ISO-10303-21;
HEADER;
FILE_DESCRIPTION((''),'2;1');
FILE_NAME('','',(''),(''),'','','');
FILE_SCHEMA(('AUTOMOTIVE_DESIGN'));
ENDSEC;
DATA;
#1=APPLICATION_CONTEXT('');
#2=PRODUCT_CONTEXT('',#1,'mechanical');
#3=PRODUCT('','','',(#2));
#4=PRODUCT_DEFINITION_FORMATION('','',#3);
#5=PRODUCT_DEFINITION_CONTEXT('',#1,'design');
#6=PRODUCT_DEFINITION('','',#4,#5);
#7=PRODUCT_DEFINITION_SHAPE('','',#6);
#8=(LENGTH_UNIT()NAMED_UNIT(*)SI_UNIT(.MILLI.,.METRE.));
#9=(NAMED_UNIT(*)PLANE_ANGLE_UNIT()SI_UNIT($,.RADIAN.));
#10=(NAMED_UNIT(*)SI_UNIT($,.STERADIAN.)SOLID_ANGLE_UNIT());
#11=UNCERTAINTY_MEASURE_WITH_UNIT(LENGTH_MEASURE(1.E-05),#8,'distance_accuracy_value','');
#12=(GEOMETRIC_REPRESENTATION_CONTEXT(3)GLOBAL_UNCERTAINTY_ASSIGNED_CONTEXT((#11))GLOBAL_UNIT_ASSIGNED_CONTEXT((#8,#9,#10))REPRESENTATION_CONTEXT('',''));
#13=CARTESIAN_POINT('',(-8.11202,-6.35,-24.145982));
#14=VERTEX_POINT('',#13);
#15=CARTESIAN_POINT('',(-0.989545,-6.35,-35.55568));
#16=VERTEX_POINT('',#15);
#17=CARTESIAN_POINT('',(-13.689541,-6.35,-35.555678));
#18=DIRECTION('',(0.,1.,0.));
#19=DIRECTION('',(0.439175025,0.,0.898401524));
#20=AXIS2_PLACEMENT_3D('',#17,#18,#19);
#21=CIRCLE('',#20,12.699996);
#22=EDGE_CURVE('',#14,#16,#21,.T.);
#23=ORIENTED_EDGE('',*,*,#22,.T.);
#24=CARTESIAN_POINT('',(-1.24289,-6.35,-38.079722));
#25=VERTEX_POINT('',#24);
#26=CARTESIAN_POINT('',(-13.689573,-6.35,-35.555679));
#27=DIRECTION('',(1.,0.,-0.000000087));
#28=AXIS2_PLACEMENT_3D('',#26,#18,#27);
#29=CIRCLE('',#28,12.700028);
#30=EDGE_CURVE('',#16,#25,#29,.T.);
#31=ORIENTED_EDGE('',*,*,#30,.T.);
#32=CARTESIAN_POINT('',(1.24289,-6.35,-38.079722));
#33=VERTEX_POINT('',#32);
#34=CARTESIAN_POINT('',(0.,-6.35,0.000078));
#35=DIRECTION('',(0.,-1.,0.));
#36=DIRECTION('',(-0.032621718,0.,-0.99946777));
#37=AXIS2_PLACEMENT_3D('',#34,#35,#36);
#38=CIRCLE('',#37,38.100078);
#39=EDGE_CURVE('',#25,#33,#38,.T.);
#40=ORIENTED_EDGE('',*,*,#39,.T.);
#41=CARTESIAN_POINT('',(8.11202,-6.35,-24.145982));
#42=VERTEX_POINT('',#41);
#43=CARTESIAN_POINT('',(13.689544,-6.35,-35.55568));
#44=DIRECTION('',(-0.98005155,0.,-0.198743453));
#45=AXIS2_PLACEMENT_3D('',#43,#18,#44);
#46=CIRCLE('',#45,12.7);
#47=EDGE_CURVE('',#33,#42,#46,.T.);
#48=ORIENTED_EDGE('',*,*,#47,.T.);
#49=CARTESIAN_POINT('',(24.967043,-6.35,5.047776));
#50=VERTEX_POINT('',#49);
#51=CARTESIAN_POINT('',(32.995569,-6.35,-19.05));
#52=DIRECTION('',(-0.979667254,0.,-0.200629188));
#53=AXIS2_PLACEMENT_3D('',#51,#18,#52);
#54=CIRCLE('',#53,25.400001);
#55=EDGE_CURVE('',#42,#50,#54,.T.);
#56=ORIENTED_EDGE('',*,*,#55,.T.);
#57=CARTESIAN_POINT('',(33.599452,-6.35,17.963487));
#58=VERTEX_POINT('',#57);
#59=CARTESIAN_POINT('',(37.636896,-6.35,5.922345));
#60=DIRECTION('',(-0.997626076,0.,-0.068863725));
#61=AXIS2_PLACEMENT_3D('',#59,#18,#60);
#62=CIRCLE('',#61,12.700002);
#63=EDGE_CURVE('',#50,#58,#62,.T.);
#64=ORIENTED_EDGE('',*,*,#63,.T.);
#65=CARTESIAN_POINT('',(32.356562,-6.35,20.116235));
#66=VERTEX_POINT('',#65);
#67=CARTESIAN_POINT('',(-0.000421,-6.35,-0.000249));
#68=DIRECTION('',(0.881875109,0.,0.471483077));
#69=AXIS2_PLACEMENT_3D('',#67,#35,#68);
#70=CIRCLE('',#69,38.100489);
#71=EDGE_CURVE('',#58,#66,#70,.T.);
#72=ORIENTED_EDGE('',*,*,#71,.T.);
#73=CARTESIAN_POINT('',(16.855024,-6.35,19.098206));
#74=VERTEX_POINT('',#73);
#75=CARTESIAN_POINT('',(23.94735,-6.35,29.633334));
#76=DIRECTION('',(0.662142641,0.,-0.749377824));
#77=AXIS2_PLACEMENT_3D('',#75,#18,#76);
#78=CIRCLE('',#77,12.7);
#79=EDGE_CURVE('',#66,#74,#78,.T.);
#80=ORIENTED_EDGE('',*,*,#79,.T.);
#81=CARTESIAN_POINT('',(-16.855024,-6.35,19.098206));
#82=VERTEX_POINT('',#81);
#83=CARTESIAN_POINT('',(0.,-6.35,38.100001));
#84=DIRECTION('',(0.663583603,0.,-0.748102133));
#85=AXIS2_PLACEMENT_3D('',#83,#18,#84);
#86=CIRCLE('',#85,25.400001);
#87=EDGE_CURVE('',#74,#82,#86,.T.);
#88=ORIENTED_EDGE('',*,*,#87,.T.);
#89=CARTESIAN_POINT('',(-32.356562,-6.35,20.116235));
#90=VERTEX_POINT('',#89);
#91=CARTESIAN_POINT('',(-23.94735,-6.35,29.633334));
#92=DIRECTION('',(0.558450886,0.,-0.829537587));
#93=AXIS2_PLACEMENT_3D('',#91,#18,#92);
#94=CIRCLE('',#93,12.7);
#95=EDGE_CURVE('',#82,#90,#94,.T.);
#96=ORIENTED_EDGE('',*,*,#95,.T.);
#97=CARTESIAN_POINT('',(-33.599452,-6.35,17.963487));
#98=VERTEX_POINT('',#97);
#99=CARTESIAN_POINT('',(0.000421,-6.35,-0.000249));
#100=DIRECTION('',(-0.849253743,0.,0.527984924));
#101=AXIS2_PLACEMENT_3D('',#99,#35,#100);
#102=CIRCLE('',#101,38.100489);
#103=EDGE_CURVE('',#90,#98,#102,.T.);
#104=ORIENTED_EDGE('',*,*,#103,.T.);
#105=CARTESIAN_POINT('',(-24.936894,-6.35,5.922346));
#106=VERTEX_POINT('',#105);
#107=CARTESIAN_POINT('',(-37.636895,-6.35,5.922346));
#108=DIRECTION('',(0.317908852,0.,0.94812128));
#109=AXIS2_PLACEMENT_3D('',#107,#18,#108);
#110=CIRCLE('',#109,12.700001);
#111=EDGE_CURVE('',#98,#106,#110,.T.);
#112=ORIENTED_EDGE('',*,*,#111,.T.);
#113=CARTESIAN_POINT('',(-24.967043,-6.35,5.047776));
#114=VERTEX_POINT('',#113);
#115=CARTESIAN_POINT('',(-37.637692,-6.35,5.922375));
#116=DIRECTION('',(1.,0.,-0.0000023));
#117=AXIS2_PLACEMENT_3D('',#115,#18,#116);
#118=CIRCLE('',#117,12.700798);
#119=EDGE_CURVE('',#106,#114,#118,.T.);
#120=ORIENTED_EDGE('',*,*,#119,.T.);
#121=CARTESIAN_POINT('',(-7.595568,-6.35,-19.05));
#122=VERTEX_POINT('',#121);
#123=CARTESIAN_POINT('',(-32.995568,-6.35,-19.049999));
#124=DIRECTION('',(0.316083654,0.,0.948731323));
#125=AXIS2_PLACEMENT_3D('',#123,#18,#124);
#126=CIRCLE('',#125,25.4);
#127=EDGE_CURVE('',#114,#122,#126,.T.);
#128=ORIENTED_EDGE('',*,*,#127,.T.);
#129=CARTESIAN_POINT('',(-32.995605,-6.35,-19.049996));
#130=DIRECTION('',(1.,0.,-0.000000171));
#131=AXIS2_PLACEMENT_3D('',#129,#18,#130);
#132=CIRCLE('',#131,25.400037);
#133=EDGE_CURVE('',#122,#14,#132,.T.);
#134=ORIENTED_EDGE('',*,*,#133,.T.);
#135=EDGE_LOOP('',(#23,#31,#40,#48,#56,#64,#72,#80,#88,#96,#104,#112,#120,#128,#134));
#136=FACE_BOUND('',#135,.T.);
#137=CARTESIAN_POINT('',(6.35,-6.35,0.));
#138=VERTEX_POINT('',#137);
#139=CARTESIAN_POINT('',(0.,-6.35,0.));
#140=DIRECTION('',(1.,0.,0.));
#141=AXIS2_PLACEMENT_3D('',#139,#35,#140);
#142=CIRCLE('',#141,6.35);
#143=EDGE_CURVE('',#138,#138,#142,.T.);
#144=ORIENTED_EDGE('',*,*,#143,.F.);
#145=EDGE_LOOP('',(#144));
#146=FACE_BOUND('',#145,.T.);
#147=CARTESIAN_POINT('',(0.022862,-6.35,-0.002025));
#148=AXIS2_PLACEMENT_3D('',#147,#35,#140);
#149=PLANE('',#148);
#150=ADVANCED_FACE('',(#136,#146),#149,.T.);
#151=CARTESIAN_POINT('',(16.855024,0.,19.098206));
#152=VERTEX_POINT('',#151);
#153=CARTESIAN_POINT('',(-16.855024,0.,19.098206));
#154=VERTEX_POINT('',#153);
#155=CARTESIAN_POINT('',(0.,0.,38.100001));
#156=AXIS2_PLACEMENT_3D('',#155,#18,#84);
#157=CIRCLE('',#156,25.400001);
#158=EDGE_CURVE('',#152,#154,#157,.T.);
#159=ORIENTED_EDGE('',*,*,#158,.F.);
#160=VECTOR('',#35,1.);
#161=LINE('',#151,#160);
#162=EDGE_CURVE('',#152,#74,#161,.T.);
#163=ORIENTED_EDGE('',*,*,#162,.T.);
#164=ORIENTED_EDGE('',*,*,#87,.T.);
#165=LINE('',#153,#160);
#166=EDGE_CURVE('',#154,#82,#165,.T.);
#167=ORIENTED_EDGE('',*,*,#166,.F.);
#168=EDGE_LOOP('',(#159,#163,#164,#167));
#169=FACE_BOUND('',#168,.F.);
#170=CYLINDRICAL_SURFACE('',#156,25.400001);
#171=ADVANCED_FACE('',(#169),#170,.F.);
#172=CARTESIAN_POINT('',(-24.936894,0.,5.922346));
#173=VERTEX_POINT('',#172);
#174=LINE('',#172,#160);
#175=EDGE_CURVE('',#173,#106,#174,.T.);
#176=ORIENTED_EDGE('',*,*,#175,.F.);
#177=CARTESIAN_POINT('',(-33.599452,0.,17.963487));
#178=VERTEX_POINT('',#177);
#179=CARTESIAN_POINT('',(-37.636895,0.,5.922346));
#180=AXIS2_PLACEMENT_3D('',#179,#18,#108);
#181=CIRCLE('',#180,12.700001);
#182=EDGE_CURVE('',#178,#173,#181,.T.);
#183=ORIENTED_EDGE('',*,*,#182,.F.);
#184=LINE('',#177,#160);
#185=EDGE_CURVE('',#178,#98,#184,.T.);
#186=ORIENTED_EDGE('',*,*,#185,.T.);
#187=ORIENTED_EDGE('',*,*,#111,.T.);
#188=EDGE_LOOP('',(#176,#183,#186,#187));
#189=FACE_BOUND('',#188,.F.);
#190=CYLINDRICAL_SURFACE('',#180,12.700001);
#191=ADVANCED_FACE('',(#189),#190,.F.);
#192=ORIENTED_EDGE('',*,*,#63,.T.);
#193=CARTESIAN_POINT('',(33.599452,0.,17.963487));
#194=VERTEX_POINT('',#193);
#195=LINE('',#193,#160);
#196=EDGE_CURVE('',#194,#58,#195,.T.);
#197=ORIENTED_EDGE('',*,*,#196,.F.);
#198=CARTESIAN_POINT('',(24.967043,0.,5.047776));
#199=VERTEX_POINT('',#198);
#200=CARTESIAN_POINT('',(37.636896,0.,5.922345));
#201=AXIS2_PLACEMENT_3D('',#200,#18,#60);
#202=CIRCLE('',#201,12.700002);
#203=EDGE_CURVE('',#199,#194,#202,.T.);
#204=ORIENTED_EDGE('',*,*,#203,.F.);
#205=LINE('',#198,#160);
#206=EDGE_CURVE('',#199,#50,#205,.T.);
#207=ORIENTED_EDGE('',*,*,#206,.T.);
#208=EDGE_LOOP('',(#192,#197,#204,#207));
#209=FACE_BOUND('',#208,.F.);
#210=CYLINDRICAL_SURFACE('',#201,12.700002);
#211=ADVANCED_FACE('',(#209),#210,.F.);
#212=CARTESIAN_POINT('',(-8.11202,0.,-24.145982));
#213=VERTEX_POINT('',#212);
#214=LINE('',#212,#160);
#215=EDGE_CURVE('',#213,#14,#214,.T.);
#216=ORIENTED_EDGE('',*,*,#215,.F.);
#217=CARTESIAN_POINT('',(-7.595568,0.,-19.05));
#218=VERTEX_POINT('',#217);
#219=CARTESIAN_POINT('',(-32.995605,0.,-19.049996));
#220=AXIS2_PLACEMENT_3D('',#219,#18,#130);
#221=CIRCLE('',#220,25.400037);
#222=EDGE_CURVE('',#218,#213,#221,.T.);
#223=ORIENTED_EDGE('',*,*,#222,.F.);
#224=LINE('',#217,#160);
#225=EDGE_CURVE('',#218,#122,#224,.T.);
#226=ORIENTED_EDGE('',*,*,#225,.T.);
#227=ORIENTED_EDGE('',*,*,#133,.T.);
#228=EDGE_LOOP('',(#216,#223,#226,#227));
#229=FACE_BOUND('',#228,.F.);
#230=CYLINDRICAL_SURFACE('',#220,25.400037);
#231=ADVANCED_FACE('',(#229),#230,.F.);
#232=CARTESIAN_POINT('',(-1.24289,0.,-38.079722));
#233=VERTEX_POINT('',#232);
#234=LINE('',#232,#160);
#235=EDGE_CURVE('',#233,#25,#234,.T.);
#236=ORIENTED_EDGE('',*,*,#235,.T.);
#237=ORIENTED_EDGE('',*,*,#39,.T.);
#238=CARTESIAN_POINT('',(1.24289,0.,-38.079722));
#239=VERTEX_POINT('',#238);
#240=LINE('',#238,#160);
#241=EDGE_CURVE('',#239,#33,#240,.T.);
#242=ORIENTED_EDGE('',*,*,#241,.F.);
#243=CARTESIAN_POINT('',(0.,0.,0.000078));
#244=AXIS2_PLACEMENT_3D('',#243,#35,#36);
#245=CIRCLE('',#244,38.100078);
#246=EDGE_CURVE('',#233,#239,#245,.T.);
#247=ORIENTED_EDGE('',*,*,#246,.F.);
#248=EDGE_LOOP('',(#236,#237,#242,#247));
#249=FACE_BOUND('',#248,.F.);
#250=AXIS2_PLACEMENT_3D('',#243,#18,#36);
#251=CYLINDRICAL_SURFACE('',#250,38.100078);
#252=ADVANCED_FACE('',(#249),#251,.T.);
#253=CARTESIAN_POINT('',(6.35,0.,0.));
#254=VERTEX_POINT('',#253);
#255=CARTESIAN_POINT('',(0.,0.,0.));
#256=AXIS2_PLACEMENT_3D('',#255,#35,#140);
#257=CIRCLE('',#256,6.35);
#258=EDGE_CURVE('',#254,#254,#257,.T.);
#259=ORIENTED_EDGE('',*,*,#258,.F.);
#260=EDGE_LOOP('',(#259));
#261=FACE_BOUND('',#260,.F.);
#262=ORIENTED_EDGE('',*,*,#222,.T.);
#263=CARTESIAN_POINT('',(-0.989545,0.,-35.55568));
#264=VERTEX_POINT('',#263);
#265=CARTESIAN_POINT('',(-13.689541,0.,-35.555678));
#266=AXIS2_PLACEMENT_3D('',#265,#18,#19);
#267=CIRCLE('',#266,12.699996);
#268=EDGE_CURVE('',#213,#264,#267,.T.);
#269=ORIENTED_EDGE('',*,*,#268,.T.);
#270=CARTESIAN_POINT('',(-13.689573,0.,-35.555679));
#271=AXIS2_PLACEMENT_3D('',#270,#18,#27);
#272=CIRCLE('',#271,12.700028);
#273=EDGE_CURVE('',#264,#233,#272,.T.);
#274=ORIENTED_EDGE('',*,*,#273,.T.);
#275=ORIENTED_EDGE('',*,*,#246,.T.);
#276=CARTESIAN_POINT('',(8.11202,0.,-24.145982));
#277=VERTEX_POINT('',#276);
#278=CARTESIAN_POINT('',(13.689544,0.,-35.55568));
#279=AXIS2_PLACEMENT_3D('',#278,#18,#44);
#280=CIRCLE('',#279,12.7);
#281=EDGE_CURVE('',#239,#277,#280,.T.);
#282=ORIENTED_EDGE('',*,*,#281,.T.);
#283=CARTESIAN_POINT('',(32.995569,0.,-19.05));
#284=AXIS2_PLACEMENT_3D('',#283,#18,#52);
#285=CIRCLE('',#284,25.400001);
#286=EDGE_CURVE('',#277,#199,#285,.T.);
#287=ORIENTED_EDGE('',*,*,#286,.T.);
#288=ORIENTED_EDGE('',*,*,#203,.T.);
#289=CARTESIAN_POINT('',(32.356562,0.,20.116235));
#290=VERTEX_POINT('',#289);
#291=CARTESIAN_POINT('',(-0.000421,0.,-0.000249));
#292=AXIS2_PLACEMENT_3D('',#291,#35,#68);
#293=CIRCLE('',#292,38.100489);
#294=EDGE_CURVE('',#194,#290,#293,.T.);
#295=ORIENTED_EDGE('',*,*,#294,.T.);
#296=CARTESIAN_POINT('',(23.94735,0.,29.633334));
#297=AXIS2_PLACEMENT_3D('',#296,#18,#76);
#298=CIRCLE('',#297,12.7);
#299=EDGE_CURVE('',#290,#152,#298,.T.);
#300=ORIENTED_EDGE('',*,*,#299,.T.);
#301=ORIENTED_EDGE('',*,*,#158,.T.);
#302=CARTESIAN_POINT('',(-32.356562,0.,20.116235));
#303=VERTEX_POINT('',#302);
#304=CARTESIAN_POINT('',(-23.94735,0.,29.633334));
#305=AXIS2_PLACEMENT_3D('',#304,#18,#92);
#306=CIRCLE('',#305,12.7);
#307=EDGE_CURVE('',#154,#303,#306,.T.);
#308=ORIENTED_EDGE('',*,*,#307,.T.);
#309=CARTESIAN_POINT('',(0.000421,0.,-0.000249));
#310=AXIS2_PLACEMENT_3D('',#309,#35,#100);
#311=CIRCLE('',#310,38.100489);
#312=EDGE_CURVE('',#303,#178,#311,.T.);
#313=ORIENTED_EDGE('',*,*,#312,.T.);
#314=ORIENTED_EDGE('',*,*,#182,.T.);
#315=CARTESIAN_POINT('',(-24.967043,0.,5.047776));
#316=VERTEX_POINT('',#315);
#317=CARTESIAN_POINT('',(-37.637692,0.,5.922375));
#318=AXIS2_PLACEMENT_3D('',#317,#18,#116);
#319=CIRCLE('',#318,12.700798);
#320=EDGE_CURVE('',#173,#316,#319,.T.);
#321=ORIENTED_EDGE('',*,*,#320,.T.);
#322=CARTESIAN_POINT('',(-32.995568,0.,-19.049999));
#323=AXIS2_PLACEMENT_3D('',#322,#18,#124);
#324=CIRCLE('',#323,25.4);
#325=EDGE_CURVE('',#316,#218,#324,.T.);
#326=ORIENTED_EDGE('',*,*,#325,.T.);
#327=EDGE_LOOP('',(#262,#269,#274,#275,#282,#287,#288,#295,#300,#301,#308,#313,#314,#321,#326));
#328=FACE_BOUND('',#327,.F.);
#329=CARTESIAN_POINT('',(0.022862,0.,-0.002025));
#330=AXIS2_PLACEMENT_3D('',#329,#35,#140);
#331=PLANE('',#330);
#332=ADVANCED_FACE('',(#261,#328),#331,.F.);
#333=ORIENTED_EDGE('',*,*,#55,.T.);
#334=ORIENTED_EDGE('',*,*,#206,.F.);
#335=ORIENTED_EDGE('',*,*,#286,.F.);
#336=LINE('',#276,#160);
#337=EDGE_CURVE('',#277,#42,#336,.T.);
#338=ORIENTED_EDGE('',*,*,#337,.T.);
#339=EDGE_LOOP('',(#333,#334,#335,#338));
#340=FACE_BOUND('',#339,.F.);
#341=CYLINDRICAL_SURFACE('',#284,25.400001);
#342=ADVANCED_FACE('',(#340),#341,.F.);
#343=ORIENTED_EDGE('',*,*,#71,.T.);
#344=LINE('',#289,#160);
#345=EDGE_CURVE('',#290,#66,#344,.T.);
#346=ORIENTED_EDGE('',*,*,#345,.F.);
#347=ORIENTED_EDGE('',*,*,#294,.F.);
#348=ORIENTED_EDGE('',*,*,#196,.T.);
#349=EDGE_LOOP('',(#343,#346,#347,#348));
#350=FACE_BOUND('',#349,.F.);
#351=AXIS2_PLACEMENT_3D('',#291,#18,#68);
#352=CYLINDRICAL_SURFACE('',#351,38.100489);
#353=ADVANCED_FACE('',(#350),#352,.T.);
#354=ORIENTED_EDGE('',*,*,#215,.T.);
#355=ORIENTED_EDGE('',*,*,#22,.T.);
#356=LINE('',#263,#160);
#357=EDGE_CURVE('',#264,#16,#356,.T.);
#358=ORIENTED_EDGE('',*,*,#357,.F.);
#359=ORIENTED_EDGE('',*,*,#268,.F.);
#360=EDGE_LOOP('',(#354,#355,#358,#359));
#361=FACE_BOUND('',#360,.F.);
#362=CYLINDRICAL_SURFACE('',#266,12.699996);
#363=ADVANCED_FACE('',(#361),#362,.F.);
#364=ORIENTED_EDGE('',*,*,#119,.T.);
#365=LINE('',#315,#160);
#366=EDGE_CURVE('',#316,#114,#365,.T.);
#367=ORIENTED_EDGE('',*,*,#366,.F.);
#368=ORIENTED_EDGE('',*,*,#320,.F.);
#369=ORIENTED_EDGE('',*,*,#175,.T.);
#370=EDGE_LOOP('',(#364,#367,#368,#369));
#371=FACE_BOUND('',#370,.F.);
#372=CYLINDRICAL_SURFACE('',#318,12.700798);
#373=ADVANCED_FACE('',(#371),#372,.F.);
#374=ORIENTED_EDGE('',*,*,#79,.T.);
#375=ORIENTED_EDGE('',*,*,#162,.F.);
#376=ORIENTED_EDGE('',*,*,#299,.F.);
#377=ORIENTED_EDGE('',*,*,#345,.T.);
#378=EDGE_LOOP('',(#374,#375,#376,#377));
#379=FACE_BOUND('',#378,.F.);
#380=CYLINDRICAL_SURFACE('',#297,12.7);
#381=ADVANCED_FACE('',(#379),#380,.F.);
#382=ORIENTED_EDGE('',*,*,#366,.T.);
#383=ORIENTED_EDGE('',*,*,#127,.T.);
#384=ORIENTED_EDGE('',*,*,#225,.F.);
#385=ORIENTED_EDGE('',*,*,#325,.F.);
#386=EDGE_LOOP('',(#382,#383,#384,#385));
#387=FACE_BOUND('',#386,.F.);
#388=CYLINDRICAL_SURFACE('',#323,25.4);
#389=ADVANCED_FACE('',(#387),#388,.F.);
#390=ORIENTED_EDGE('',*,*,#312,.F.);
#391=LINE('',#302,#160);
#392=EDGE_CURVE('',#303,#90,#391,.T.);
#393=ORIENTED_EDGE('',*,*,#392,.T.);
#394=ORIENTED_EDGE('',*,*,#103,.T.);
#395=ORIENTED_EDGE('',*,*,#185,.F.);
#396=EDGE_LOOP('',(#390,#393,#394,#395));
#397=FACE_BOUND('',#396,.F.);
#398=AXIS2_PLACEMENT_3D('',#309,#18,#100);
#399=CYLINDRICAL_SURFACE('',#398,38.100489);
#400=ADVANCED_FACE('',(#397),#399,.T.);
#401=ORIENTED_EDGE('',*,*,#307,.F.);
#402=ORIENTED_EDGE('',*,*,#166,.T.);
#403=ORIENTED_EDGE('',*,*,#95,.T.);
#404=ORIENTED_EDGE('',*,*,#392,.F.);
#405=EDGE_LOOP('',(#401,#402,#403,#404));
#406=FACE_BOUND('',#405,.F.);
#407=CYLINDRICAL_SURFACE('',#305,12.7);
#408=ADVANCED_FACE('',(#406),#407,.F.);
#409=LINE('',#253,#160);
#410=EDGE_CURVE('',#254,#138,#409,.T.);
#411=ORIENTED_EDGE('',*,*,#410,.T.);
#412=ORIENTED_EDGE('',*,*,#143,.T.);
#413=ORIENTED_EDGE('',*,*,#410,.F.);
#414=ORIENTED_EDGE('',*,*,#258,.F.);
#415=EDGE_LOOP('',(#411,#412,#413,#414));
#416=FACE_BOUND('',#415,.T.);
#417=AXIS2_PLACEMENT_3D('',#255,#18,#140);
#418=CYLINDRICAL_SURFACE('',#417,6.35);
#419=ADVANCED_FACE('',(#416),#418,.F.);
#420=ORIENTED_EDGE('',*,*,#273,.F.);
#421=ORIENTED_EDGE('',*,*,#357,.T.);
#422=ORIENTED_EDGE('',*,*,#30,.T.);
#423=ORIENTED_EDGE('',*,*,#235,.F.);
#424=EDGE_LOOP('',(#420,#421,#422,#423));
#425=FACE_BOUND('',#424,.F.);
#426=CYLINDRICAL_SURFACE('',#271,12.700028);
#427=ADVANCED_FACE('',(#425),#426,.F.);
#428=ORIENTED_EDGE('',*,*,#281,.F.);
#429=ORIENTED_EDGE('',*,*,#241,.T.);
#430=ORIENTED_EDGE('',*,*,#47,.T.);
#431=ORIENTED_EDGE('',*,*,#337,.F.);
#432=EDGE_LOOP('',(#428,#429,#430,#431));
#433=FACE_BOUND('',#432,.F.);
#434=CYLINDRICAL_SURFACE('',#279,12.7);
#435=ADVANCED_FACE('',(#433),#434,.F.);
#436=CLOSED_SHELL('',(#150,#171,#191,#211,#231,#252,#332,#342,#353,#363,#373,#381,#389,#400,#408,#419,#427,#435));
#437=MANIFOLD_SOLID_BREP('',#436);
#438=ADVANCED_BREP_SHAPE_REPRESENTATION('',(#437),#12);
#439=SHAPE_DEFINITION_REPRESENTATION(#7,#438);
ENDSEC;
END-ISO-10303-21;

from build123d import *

# Parameters (mm, degrees)
F0_R     = 6.35
F1_DEPTH = 6.35


with BuildPart() as f1:
    # F0 (on Front) → F1 (new body)
    with BuildSketch(Plane.XZ):
        with BuildLine():
            ThreePointArc((24.967043, 5.047776), (27.078139, 12.979448), (33.599452, 17.963487))
            ThreePointArc((33.599452, 17.963487), (32.995568, 19.05), (32.356562, 20.116235))
            ThreePointArc((32.356562, 20.116235), (24.779601, 16.960632), (16.855024, 19.098206))
            ThreePointArc((16.855024, 19.098206), (0, 12.7), (-16.855024, 19.098206))
            ThreePointArc((-16.855024, 19.098206), (-24.779601, 16.960632), (-32.356562, 20.116235))
            ThreePointArc((-32.356562, 20.116235), (-32.995568, 19.05), (-33.599452, 17.963487))
            ThreePointArc((-33.599452, 17.963487), (-27.327541, 13.339033), (-24.936894, 5.922346))
            ThreePointArc((-24.936894, 5.922346), (-24.944434, 5.484801), (-24.967043, 5.047776))
            ThreePointArc((-24.967043, 5.047776), (-12.391144, -4.196794), (-7.595568, -19.05))
            ThreePointArc((-7.595568, -19.05), (-7.725011, -21.611042), (-8.11202, -24.145982))
            ThreePointArc((-8.11202, -24.145982), (-2.916324, -28.830524), (-0.989545, -35.55568))
            ThreePointArc((-0.989545, -35.55568), (-1.05304, -36.824042), (-1.24289, -38.079722))
            ThreePointArc((-1.24289, -38.079722), (0, -38.1), (1.24289, -38.079722))
            ThreePointArc((1.24289, -38.079722), (2.298538, -29.94008), (8.11202, -24.145982))
            ThreePointArc((8.11202, -24.145982), (10.998523, -6.35), (24.967043, 5.047776))
        make_face()
        Circle(F0_R, mode=Mode.SUBTRACT)
    extrude(amount=F1_DEPTH)


solid = f1.part
